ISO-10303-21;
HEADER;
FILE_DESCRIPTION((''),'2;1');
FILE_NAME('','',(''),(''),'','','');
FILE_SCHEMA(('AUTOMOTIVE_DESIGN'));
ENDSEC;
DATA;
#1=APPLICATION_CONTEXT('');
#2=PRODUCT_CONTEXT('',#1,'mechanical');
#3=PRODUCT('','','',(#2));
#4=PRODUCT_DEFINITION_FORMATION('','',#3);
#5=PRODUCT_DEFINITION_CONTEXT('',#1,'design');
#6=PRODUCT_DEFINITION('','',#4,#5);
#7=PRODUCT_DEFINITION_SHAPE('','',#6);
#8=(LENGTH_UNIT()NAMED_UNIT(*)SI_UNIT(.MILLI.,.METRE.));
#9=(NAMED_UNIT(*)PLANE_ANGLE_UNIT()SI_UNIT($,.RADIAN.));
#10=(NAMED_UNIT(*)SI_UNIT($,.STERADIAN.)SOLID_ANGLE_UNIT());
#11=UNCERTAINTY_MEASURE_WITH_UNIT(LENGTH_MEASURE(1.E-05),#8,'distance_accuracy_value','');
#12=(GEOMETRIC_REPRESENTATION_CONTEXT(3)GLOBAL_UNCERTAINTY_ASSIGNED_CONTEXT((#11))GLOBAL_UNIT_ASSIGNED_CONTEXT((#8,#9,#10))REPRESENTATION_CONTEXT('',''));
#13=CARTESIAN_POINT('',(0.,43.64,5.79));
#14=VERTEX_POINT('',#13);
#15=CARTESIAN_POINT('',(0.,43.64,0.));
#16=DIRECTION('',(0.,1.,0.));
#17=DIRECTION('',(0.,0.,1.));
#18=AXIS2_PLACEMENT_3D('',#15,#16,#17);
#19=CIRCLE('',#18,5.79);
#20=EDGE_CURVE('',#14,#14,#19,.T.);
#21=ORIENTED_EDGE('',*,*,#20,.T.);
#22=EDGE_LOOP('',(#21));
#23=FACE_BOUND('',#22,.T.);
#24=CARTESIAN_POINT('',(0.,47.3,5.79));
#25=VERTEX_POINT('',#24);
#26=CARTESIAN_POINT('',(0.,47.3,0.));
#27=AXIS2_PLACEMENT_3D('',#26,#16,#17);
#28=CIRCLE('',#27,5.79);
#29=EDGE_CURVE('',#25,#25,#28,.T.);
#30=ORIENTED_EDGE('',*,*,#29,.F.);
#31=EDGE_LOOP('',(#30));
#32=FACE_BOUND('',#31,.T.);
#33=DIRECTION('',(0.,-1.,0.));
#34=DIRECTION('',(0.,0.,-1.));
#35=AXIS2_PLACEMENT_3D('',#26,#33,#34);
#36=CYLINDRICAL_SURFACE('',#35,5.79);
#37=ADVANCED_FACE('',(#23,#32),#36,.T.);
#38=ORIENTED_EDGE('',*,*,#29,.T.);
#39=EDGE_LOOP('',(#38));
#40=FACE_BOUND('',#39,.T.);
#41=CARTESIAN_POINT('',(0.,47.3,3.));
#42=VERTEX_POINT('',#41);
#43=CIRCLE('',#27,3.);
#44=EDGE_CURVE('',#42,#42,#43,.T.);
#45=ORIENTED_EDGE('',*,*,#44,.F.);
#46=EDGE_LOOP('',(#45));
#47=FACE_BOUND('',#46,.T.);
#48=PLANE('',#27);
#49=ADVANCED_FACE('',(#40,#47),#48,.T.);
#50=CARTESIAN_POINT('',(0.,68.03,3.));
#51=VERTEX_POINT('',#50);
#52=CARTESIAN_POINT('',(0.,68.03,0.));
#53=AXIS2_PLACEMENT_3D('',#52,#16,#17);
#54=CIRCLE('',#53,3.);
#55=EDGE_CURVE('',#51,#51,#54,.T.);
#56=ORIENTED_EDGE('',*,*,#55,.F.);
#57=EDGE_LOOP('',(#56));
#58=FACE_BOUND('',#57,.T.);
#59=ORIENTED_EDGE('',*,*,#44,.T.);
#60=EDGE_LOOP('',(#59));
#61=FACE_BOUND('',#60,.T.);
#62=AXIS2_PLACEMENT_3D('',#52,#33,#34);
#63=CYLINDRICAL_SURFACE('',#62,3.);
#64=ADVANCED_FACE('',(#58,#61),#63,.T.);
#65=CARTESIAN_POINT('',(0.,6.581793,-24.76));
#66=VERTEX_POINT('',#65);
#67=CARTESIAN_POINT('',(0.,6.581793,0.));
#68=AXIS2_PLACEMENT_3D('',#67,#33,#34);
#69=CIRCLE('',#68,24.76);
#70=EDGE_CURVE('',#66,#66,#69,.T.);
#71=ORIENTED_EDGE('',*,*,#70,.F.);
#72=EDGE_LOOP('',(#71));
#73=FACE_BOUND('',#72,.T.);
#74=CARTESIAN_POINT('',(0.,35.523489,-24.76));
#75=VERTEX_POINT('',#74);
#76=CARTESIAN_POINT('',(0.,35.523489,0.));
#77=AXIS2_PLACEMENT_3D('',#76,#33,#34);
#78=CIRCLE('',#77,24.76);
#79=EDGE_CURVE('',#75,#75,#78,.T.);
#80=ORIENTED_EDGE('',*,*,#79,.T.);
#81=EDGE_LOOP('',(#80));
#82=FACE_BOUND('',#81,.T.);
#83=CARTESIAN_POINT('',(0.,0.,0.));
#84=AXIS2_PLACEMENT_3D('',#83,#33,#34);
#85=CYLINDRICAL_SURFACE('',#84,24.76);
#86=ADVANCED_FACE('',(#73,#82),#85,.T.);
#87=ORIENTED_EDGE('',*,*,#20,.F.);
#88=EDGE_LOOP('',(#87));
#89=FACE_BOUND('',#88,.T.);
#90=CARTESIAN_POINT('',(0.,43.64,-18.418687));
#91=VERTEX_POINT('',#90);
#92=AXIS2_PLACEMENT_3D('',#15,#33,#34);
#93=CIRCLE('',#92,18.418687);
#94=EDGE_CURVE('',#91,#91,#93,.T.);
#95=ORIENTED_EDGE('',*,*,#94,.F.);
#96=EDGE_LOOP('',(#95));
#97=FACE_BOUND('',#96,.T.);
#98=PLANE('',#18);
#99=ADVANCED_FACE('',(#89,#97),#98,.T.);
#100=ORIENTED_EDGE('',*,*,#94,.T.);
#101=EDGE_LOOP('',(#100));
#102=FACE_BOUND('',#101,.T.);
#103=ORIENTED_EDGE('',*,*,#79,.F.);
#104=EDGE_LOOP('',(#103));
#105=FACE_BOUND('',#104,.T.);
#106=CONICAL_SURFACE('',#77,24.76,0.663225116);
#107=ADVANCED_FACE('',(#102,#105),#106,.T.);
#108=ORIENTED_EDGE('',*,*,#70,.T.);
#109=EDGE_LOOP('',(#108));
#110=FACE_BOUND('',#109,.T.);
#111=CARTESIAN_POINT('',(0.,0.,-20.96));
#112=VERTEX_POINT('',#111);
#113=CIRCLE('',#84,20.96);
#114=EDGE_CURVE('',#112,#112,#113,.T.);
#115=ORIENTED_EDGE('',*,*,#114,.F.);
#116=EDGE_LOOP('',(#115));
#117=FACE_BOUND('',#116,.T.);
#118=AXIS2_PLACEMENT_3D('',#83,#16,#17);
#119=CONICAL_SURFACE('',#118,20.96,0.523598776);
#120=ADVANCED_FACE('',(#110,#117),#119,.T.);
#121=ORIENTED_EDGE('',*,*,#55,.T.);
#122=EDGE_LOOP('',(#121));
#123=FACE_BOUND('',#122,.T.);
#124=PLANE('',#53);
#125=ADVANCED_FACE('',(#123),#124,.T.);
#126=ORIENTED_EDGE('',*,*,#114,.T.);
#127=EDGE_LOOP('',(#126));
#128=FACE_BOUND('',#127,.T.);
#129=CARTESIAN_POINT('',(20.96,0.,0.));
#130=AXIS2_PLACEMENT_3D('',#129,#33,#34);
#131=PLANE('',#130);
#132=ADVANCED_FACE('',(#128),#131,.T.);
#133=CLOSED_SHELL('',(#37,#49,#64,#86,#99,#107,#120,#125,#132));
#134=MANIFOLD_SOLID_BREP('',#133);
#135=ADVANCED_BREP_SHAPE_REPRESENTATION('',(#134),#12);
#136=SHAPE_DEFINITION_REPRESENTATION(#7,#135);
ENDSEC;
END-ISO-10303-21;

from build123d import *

# Parameters (mm, degrees)
SKETCH2_R           = 3
BOSS_EXTRUDE1_DEPTH = 24.39
SKETCH4_R           = 5.79
BOSS_EXTRUDE2_DEPTH = 3.66


with BuildPart() as part:
    # Sketch1 → Revolve1 (revolve)
    with BuildSketch(Plane.XY, mode=Mode.PRIVATE) as revolve1_sk:
        Polygon((0, 0), (0, 43.64), (18.418686804, 43.64), (24.76, 35.523489238), (24.76, 6.581793069), (20.96, 0), align=None)
    revolve(revolve1_sk.sketch.rotate(Axis((0, 0, 0), (0, 1, 0)), 90), axis=Axis((0, 0, 0), (0, 1, 0)))

    # Sketch2 → Boss-Extrude1 (add)
    with BuildSketch(Plane(origin=(0, 43.64, 0), x_dir=(1, 0, 0), z_dir=(0, 1, 0))):
        with Locations(Location((0, 0, 0), (0, 0, 270))):
            Circle(SKETCH2_R)
    extrude(amount=BOSS_EXTRUDE1_DEPTH)

    # Sketch4 → Boss-Extrude2 (add)
    with BuildSketch(Plane(origin=(0, 43.64, 0), x_dir=(1, 0, 0), z_dir=(0, 1, 0))):
        with Locations(Location((0, 0, 0), (0, 0, 270))):
            Circle(SKETCH4_R)
    extrude(amount=BOSS_EXTRUDE2_DEPTH)


solid = part.part
